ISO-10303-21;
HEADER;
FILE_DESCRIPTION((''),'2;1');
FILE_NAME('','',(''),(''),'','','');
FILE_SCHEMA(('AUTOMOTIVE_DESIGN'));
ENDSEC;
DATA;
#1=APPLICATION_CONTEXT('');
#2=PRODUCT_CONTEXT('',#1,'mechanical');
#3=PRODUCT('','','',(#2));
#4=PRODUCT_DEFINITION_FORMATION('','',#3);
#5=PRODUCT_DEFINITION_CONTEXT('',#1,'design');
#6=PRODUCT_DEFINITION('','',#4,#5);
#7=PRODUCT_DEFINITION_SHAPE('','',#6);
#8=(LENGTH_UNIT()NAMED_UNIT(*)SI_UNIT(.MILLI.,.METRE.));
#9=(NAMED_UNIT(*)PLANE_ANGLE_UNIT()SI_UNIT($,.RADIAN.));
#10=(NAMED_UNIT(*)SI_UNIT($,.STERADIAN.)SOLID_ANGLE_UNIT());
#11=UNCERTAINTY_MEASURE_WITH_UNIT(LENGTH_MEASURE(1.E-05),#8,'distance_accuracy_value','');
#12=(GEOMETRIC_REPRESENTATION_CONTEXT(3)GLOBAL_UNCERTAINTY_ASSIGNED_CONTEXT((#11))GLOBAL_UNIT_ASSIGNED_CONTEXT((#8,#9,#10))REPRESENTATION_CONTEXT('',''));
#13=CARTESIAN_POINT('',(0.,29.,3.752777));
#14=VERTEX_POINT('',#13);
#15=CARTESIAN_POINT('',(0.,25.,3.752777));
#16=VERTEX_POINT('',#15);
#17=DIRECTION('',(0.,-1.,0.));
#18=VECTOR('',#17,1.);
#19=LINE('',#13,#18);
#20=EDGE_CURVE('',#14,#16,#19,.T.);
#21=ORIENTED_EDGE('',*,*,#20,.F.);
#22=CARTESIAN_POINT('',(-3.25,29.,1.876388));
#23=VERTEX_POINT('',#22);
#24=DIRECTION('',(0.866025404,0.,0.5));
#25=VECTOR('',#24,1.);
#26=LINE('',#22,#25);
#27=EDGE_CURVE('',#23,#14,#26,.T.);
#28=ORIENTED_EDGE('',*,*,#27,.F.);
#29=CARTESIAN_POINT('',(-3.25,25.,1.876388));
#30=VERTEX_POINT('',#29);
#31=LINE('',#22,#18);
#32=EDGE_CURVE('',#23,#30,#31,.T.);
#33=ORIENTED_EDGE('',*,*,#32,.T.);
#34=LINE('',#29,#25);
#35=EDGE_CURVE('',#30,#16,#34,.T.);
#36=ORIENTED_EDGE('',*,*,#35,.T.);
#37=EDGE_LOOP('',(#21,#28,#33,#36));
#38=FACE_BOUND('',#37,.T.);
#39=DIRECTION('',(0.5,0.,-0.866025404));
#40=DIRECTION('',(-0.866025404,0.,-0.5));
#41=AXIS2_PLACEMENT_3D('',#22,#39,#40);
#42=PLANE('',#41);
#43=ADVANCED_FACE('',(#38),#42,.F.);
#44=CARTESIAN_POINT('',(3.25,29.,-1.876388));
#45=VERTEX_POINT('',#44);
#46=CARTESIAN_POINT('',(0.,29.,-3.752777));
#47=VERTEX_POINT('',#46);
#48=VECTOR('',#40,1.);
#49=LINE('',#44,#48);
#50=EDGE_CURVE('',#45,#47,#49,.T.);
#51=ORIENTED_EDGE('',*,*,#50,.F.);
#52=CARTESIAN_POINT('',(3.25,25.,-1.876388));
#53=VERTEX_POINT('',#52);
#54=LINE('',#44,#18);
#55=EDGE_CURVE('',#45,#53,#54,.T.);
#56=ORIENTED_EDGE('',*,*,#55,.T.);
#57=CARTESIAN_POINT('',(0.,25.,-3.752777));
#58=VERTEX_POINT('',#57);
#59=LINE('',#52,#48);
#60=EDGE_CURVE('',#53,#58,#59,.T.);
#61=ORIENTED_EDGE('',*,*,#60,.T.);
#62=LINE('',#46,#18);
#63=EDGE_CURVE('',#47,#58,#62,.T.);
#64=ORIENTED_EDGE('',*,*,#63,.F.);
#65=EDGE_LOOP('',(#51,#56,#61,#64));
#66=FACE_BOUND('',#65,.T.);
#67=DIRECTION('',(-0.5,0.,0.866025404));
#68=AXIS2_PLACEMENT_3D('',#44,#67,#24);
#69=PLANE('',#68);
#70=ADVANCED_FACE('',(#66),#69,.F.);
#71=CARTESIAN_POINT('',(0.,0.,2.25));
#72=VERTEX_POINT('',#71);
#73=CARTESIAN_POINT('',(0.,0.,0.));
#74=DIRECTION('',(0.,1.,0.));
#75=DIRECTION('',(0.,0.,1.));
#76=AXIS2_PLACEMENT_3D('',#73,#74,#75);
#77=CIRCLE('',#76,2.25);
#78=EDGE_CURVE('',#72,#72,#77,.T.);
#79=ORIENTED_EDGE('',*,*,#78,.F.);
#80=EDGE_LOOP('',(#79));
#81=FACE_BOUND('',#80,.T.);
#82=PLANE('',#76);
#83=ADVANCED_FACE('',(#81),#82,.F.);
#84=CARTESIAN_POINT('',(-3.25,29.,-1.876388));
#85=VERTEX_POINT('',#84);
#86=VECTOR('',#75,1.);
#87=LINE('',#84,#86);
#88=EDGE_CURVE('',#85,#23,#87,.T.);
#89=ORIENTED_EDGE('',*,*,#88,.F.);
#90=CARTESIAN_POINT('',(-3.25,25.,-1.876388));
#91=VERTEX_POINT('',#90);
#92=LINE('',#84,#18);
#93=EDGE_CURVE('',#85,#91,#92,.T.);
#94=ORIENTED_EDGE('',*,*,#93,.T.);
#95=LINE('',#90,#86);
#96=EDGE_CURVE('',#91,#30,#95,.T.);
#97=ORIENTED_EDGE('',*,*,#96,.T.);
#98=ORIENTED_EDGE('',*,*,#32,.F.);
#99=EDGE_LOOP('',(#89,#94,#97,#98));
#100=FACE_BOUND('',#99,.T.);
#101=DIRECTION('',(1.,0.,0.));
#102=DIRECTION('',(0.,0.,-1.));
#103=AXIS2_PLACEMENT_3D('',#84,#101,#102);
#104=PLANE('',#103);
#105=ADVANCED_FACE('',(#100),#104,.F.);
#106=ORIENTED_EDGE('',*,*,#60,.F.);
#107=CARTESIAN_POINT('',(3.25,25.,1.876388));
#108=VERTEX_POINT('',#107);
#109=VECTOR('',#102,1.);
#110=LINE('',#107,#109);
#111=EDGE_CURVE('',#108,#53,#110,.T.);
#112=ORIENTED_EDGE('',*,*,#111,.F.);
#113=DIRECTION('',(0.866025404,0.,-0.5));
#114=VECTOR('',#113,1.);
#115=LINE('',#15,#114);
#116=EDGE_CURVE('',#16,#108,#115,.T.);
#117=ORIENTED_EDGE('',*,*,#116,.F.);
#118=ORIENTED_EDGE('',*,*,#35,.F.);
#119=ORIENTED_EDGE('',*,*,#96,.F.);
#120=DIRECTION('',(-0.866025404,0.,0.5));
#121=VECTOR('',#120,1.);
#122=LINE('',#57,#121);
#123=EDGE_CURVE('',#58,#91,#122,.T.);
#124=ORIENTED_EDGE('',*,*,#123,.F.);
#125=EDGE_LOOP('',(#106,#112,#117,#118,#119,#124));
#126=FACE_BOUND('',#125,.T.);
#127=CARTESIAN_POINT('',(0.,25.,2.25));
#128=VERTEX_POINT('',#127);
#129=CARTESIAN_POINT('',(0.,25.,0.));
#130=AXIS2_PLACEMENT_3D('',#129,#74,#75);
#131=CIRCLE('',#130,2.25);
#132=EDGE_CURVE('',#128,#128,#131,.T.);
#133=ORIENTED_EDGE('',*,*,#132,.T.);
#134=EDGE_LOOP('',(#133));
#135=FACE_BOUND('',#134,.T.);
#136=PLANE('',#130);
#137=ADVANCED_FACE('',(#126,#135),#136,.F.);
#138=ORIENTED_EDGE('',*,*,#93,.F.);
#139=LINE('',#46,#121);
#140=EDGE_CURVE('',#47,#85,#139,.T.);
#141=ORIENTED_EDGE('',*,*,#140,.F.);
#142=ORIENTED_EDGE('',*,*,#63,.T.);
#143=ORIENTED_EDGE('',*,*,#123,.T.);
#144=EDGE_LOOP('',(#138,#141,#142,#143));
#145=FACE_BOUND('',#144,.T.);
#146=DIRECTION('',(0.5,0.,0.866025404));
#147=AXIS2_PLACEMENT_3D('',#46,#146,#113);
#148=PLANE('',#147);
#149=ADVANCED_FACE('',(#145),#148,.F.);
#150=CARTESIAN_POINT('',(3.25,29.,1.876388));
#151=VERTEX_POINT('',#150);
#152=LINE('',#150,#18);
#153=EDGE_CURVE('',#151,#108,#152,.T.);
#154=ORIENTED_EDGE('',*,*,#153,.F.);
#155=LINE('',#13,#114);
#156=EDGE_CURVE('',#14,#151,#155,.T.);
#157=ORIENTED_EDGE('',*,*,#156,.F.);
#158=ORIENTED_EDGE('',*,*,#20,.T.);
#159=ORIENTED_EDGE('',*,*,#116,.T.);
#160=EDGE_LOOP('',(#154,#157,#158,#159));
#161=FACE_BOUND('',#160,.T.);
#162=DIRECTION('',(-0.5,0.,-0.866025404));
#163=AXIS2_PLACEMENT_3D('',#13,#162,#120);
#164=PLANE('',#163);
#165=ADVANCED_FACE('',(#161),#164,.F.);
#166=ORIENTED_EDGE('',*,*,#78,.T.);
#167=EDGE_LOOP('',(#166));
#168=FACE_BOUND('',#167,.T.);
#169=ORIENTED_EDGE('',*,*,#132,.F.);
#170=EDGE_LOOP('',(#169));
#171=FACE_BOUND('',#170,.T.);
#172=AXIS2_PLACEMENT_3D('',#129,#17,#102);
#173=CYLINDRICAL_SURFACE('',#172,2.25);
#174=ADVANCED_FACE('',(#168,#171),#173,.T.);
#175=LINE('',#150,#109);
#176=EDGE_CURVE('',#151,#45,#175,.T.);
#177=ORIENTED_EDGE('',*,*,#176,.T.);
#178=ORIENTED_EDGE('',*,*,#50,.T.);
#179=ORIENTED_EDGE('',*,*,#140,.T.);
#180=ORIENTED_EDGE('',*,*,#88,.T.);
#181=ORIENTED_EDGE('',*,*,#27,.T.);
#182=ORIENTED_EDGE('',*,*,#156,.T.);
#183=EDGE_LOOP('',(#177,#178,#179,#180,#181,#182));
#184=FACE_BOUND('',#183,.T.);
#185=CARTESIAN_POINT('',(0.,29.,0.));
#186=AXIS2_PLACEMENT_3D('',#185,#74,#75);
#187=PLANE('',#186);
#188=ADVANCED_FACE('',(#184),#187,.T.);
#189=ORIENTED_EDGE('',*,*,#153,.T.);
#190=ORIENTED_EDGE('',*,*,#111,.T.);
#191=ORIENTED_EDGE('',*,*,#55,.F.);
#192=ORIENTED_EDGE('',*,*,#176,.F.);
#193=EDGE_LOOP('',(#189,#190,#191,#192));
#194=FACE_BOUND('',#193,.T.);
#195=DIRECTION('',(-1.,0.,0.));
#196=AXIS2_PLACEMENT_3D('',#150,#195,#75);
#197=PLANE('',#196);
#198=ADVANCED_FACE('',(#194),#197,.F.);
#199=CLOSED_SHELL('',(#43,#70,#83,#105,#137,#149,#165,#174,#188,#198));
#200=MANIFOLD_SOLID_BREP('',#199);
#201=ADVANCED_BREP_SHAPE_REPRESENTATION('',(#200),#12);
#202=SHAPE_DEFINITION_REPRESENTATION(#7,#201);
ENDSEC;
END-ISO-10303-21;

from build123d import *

# Parameters (mm, degrees)
SKETCH1_R           = 2.25
BOSS_EXTRUDE1_DEPTH = 25
BOSS_EXTRUDE2_DEPTH = 4


with BuildPart() as part:
    # Sketch1 → Boss-Extrude1 (new body)
    with BuildSketch(Plane(origin=(0, 0, 0), x_dir=(1, 0, 0), z_dir=(0, 1, 0))):
        with Locations(Location((0, 0, 0), (0, 0, 270))):
            Circle(SKETCH1_R)
    extrude(amount=BOSS_EXTRUDE1_DEPTH)

    # Sketch2 → Boss-Extrude2 (add)
    with BuildSketch(Plane(origin=(0, 25, 0), x_dir=(1, 0, 0), z_dir=(0, 1, 0))):
        Polygon((3.25, -1.876388375), (3.25, 1.876388375), (0, 3.75277675), (-3.25, 1.876388375), (-3.25, -1.876388375), (0, -3.75277675), align=None)
    extrude(amount=BOSS_EXTRUDE2_DEPTH)


solid = part.part
